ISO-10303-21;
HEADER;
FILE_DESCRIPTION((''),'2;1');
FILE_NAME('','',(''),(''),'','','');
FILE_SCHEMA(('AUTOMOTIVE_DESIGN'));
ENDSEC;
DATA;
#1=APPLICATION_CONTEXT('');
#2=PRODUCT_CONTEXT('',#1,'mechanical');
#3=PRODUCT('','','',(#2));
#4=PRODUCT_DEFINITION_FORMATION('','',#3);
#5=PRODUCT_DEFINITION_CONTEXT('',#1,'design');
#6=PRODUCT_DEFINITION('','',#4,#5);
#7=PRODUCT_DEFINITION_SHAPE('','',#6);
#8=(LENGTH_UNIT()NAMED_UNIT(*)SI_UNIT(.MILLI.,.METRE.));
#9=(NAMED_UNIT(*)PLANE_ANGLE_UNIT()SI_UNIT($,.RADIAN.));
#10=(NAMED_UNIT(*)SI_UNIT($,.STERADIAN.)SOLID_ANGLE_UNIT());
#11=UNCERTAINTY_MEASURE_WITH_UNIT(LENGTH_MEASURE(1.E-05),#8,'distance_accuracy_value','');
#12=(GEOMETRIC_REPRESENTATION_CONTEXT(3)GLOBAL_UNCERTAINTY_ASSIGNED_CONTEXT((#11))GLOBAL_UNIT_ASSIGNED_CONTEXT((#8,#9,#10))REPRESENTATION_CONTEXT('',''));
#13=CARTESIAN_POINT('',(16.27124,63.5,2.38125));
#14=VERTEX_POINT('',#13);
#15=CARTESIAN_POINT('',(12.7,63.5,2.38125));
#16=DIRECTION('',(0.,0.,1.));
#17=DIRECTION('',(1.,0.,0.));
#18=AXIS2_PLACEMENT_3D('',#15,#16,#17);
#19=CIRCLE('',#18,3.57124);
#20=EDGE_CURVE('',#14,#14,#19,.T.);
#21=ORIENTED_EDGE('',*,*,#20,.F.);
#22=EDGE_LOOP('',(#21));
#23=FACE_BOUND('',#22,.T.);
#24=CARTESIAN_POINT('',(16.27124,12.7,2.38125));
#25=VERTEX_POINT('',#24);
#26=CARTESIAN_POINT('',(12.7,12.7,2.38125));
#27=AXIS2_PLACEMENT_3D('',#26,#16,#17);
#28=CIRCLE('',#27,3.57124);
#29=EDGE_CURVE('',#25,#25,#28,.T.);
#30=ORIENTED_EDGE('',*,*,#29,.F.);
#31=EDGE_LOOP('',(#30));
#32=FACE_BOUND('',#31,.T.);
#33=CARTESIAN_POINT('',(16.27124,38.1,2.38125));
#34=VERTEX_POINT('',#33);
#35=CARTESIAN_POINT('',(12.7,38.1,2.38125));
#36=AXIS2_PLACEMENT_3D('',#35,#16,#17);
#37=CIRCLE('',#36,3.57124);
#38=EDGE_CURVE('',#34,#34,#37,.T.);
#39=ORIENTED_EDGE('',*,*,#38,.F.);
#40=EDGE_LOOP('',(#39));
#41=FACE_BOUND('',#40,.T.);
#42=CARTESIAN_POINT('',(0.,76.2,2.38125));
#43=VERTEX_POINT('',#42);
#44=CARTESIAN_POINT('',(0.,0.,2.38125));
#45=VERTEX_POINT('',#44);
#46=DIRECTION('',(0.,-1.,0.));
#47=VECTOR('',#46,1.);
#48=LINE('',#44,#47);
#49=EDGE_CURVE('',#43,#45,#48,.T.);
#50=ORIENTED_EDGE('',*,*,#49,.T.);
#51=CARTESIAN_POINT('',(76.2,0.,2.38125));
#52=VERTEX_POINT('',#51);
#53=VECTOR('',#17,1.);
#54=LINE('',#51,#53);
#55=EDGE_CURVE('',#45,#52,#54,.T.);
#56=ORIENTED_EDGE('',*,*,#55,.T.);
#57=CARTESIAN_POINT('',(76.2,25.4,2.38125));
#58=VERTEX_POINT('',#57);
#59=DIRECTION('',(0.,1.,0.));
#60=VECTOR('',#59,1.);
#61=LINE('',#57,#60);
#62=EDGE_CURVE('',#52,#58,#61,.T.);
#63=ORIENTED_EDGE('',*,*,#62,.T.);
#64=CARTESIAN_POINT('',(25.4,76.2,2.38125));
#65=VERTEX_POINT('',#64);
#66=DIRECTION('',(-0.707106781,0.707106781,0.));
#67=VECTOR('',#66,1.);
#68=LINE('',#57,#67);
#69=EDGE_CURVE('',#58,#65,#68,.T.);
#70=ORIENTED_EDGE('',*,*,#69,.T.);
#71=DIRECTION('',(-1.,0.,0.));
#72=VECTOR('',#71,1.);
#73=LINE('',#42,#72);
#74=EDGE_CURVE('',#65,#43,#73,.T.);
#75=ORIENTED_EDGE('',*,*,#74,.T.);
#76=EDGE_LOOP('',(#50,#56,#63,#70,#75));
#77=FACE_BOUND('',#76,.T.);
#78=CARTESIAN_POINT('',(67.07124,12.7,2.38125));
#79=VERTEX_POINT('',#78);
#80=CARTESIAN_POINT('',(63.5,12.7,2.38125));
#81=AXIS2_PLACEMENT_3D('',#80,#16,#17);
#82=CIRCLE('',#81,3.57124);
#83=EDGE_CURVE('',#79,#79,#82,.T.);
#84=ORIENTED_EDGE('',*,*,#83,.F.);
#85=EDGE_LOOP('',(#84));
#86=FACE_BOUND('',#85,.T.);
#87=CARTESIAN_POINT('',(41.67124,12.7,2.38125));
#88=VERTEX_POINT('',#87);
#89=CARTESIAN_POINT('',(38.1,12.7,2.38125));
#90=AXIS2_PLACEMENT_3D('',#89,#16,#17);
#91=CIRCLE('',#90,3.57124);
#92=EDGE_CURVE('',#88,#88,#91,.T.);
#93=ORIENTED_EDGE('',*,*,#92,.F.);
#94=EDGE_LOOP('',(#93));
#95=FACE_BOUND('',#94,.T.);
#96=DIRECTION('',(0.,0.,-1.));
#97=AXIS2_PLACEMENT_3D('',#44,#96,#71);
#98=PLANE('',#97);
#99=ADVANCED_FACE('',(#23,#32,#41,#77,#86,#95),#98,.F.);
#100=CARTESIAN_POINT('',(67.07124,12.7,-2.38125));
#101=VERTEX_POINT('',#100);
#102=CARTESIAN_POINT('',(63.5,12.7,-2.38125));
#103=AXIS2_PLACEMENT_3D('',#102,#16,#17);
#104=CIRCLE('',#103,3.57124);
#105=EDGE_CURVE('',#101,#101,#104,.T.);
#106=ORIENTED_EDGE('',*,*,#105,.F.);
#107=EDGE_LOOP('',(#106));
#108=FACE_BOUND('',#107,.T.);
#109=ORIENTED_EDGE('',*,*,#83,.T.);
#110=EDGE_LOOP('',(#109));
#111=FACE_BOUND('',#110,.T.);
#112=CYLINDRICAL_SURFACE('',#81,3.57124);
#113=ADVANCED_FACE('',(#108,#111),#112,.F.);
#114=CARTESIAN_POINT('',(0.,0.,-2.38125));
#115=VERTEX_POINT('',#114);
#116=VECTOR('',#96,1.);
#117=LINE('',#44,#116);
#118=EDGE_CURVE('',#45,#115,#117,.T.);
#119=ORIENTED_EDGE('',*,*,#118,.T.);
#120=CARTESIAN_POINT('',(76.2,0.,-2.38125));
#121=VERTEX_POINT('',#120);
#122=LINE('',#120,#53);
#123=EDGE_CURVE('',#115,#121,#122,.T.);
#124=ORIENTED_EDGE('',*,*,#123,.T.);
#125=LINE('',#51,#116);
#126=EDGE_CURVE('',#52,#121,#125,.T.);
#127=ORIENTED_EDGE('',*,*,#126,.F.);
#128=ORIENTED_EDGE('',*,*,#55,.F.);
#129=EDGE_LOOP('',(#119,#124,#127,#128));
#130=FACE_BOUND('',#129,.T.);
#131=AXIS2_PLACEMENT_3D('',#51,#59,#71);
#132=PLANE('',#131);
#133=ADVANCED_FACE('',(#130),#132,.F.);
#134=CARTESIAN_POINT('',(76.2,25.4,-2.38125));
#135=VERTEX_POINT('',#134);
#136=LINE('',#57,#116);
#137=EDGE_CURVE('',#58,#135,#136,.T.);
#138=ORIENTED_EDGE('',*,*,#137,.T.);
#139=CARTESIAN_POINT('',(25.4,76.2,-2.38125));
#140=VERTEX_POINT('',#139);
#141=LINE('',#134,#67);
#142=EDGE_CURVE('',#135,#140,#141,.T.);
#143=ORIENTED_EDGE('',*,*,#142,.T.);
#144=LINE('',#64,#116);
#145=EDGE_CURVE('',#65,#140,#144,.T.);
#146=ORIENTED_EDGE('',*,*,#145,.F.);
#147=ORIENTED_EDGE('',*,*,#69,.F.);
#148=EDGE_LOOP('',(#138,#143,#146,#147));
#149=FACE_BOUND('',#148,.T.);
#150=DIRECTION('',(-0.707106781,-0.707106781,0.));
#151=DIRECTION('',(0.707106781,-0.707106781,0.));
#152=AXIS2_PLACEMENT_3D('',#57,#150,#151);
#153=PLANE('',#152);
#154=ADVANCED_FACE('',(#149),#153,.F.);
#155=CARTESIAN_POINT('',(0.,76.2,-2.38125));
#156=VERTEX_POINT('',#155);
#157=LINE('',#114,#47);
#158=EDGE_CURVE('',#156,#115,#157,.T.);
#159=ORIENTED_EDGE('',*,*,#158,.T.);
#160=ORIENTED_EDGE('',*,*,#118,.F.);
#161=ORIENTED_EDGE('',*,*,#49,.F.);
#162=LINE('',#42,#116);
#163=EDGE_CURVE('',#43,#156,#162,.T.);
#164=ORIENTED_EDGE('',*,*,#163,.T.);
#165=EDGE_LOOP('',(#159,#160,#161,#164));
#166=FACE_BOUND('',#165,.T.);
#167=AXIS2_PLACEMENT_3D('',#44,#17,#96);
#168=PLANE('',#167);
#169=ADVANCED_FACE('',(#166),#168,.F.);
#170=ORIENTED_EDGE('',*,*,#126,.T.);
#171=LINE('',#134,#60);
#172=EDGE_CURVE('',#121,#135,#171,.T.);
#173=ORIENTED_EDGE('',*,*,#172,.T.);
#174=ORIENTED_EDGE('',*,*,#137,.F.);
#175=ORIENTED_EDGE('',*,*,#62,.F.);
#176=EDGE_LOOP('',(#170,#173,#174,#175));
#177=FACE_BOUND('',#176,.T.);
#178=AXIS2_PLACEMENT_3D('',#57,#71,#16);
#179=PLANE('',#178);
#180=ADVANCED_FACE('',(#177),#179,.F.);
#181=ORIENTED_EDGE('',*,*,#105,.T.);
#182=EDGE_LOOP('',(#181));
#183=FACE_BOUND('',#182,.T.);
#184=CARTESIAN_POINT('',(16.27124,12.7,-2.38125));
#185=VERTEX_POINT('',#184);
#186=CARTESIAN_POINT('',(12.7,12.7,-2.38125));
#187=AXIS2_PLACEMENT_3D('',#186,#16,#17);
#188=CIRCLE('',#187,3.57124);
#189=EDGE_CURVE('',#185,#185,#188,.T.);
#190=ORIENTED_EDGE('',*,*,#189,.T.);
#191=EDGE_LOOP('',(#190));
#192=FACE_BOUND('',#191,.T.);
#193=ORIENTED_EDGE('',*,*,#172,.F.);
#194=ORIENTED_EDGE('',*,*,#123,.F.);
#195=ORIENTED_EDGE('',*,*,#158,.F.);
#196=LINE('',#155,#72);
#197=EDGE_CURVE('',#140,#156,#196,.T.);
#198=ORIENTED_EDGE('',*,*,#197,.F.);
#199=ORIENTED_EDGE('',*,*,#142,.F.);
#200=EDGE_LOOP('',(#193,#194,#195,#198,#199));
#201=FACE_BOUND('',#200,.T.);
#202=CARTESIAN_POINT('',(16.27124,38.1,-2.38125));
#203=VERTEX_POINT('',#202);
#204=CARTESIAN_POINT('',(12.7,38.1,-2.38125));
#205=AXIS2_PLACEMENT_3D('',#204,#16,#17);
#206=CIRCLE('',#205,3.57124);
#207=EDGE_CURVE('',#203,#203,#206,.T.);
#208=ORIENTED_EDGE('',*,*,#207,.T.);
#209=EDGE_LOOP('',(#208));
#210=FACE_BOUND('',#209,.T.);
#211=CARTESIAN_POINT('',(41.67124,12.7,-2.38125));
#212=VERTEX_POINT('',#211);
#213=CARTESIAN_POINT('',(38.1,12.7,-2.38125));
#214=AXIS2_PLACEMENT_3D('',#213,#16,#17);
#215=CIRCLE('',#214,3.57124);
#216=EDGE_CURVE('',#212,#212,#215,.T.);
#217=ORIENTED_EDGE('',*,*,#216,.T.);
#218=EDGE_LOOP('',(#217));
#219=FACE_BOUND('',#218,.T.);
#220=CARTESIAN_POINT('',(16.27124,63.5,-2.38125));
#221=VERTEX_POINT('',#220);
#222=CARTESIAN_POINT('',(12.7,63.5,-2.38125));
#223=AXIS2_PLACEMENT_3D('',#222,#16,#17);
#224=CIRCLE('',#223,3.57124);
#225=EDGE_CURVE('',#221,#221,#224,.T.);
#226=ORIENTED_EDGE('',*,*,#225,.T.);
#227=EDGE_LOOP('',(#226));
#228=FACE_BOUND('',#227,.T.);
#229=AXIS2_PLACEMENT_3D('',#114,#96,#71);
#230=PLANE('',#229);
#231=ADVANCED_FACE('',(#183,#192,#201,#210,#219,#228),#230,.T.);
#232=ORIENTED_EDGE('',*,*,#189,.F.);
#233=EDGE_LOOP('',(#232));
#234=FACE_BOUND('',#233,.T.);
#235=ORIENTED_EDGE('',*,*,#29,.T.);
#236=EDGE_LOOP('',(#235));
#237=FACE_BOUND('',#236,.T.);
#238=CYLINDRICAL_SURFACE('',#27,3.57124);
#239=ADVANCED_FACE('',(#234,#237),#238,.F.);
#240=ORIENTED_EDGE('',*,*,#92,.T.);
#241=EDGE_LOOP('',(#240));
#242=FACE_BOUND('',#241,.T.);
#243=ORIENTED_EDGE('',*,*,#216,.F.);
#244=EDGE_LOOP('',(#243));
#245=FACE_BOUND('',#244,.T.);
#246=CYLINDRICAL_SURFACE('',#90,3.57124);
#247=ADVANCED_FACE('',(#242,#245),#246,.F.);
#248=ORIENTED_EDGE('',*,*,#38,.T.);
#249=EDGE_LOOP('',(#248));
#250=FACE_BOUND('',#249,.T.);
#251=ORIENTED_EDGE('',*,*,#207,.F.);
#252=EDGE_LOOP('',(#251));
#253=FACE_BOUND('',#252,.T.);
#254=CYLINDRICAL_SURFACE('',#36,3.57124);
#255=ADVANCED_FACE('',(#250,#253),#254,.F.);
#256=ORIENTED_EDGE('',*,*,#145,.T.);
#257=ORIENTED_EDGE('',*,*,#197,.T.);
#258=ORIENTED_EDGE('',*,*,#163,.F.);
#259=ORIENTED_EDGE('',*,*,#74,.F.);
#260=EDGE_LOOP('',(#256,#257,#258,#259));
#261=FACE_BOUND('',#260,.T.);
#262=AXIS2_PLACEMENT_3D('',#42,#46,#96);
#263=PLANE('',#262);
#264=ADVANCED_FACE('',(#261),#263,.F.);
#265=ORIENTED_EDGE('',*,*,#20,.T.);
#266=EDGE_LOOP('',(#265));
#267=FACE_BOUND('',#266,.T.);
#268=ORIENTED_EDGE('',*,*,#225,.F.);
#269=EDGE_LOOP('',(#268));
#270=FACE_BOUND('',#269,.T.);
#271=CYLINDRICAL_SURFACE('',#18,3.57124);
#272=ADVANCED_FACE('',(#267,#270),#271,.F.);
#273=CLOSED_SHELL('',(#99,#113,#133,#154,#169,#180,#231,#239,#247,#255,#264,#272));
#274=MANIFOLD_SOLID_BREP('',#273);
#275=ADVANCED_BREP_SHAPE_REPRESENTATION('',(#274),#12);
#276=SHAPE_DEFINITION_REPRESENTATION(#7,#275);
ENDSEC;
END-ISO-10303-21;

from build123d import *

# Parameters (mm, degrees)
SKETCH1_R               = 3.2639
BOSS_EXTRUDE1_DEPTH     = 2.38125
F_1_4_CLEARANCE_HOLE1_D = 7.14248


with BuildPart() as part:
    # Sketch1 → Boss-Extrude1 (new, symmetric)
    with BuildSketch(Plane.XY):
        Polygon((0, 0), (0, 76.2), (25.4, 76.2), (76.2, 25.4), (76.2, 0), align=None)
        with Locations(Location((12.7, 12.7, 0), (0, 0, 180))):
            Circle(SKETCH1_R, mode=Mode.SUBTRACT)
        with Locations(Location((38.1, 12.7, 0), (0, 0, 180))):
            Circle(SKETCH1_R, mode=Mode.SUBTRACT)
        with Locations(Location((63.5, 12.7, 0), (0, 0, 180))):
            Circle(SKETCH1_R, mode=Mode.SUBTRACT)
        with Locations(Location((12.7, 38.1, 0), (0, 0, 180))):
            Circle(SKETCH1_R, mode=Mode.SUBTRACT)
        with Locations(Location((12.7, 63.5, 0), (0, 0, 180))):
            Circle(SKETCH1_R, mode=Mode.SUBTRACT)
    extrude(amount=BOSS_EXTRUDE1_DEPTH, both=True)

    # 1/4 Clearance Hole1 (through all)
    with Locations(Plane.XY.offset(2.38125)):
        with Locations((12.7, 63.5), (12.7, 38.1), (12.7, 12.7), (38.1, 12.7), (63.5, 12.7)):
            Hole(F_1_4_CLEARANCE_HOLE1_D / 2)


solid = part.part
